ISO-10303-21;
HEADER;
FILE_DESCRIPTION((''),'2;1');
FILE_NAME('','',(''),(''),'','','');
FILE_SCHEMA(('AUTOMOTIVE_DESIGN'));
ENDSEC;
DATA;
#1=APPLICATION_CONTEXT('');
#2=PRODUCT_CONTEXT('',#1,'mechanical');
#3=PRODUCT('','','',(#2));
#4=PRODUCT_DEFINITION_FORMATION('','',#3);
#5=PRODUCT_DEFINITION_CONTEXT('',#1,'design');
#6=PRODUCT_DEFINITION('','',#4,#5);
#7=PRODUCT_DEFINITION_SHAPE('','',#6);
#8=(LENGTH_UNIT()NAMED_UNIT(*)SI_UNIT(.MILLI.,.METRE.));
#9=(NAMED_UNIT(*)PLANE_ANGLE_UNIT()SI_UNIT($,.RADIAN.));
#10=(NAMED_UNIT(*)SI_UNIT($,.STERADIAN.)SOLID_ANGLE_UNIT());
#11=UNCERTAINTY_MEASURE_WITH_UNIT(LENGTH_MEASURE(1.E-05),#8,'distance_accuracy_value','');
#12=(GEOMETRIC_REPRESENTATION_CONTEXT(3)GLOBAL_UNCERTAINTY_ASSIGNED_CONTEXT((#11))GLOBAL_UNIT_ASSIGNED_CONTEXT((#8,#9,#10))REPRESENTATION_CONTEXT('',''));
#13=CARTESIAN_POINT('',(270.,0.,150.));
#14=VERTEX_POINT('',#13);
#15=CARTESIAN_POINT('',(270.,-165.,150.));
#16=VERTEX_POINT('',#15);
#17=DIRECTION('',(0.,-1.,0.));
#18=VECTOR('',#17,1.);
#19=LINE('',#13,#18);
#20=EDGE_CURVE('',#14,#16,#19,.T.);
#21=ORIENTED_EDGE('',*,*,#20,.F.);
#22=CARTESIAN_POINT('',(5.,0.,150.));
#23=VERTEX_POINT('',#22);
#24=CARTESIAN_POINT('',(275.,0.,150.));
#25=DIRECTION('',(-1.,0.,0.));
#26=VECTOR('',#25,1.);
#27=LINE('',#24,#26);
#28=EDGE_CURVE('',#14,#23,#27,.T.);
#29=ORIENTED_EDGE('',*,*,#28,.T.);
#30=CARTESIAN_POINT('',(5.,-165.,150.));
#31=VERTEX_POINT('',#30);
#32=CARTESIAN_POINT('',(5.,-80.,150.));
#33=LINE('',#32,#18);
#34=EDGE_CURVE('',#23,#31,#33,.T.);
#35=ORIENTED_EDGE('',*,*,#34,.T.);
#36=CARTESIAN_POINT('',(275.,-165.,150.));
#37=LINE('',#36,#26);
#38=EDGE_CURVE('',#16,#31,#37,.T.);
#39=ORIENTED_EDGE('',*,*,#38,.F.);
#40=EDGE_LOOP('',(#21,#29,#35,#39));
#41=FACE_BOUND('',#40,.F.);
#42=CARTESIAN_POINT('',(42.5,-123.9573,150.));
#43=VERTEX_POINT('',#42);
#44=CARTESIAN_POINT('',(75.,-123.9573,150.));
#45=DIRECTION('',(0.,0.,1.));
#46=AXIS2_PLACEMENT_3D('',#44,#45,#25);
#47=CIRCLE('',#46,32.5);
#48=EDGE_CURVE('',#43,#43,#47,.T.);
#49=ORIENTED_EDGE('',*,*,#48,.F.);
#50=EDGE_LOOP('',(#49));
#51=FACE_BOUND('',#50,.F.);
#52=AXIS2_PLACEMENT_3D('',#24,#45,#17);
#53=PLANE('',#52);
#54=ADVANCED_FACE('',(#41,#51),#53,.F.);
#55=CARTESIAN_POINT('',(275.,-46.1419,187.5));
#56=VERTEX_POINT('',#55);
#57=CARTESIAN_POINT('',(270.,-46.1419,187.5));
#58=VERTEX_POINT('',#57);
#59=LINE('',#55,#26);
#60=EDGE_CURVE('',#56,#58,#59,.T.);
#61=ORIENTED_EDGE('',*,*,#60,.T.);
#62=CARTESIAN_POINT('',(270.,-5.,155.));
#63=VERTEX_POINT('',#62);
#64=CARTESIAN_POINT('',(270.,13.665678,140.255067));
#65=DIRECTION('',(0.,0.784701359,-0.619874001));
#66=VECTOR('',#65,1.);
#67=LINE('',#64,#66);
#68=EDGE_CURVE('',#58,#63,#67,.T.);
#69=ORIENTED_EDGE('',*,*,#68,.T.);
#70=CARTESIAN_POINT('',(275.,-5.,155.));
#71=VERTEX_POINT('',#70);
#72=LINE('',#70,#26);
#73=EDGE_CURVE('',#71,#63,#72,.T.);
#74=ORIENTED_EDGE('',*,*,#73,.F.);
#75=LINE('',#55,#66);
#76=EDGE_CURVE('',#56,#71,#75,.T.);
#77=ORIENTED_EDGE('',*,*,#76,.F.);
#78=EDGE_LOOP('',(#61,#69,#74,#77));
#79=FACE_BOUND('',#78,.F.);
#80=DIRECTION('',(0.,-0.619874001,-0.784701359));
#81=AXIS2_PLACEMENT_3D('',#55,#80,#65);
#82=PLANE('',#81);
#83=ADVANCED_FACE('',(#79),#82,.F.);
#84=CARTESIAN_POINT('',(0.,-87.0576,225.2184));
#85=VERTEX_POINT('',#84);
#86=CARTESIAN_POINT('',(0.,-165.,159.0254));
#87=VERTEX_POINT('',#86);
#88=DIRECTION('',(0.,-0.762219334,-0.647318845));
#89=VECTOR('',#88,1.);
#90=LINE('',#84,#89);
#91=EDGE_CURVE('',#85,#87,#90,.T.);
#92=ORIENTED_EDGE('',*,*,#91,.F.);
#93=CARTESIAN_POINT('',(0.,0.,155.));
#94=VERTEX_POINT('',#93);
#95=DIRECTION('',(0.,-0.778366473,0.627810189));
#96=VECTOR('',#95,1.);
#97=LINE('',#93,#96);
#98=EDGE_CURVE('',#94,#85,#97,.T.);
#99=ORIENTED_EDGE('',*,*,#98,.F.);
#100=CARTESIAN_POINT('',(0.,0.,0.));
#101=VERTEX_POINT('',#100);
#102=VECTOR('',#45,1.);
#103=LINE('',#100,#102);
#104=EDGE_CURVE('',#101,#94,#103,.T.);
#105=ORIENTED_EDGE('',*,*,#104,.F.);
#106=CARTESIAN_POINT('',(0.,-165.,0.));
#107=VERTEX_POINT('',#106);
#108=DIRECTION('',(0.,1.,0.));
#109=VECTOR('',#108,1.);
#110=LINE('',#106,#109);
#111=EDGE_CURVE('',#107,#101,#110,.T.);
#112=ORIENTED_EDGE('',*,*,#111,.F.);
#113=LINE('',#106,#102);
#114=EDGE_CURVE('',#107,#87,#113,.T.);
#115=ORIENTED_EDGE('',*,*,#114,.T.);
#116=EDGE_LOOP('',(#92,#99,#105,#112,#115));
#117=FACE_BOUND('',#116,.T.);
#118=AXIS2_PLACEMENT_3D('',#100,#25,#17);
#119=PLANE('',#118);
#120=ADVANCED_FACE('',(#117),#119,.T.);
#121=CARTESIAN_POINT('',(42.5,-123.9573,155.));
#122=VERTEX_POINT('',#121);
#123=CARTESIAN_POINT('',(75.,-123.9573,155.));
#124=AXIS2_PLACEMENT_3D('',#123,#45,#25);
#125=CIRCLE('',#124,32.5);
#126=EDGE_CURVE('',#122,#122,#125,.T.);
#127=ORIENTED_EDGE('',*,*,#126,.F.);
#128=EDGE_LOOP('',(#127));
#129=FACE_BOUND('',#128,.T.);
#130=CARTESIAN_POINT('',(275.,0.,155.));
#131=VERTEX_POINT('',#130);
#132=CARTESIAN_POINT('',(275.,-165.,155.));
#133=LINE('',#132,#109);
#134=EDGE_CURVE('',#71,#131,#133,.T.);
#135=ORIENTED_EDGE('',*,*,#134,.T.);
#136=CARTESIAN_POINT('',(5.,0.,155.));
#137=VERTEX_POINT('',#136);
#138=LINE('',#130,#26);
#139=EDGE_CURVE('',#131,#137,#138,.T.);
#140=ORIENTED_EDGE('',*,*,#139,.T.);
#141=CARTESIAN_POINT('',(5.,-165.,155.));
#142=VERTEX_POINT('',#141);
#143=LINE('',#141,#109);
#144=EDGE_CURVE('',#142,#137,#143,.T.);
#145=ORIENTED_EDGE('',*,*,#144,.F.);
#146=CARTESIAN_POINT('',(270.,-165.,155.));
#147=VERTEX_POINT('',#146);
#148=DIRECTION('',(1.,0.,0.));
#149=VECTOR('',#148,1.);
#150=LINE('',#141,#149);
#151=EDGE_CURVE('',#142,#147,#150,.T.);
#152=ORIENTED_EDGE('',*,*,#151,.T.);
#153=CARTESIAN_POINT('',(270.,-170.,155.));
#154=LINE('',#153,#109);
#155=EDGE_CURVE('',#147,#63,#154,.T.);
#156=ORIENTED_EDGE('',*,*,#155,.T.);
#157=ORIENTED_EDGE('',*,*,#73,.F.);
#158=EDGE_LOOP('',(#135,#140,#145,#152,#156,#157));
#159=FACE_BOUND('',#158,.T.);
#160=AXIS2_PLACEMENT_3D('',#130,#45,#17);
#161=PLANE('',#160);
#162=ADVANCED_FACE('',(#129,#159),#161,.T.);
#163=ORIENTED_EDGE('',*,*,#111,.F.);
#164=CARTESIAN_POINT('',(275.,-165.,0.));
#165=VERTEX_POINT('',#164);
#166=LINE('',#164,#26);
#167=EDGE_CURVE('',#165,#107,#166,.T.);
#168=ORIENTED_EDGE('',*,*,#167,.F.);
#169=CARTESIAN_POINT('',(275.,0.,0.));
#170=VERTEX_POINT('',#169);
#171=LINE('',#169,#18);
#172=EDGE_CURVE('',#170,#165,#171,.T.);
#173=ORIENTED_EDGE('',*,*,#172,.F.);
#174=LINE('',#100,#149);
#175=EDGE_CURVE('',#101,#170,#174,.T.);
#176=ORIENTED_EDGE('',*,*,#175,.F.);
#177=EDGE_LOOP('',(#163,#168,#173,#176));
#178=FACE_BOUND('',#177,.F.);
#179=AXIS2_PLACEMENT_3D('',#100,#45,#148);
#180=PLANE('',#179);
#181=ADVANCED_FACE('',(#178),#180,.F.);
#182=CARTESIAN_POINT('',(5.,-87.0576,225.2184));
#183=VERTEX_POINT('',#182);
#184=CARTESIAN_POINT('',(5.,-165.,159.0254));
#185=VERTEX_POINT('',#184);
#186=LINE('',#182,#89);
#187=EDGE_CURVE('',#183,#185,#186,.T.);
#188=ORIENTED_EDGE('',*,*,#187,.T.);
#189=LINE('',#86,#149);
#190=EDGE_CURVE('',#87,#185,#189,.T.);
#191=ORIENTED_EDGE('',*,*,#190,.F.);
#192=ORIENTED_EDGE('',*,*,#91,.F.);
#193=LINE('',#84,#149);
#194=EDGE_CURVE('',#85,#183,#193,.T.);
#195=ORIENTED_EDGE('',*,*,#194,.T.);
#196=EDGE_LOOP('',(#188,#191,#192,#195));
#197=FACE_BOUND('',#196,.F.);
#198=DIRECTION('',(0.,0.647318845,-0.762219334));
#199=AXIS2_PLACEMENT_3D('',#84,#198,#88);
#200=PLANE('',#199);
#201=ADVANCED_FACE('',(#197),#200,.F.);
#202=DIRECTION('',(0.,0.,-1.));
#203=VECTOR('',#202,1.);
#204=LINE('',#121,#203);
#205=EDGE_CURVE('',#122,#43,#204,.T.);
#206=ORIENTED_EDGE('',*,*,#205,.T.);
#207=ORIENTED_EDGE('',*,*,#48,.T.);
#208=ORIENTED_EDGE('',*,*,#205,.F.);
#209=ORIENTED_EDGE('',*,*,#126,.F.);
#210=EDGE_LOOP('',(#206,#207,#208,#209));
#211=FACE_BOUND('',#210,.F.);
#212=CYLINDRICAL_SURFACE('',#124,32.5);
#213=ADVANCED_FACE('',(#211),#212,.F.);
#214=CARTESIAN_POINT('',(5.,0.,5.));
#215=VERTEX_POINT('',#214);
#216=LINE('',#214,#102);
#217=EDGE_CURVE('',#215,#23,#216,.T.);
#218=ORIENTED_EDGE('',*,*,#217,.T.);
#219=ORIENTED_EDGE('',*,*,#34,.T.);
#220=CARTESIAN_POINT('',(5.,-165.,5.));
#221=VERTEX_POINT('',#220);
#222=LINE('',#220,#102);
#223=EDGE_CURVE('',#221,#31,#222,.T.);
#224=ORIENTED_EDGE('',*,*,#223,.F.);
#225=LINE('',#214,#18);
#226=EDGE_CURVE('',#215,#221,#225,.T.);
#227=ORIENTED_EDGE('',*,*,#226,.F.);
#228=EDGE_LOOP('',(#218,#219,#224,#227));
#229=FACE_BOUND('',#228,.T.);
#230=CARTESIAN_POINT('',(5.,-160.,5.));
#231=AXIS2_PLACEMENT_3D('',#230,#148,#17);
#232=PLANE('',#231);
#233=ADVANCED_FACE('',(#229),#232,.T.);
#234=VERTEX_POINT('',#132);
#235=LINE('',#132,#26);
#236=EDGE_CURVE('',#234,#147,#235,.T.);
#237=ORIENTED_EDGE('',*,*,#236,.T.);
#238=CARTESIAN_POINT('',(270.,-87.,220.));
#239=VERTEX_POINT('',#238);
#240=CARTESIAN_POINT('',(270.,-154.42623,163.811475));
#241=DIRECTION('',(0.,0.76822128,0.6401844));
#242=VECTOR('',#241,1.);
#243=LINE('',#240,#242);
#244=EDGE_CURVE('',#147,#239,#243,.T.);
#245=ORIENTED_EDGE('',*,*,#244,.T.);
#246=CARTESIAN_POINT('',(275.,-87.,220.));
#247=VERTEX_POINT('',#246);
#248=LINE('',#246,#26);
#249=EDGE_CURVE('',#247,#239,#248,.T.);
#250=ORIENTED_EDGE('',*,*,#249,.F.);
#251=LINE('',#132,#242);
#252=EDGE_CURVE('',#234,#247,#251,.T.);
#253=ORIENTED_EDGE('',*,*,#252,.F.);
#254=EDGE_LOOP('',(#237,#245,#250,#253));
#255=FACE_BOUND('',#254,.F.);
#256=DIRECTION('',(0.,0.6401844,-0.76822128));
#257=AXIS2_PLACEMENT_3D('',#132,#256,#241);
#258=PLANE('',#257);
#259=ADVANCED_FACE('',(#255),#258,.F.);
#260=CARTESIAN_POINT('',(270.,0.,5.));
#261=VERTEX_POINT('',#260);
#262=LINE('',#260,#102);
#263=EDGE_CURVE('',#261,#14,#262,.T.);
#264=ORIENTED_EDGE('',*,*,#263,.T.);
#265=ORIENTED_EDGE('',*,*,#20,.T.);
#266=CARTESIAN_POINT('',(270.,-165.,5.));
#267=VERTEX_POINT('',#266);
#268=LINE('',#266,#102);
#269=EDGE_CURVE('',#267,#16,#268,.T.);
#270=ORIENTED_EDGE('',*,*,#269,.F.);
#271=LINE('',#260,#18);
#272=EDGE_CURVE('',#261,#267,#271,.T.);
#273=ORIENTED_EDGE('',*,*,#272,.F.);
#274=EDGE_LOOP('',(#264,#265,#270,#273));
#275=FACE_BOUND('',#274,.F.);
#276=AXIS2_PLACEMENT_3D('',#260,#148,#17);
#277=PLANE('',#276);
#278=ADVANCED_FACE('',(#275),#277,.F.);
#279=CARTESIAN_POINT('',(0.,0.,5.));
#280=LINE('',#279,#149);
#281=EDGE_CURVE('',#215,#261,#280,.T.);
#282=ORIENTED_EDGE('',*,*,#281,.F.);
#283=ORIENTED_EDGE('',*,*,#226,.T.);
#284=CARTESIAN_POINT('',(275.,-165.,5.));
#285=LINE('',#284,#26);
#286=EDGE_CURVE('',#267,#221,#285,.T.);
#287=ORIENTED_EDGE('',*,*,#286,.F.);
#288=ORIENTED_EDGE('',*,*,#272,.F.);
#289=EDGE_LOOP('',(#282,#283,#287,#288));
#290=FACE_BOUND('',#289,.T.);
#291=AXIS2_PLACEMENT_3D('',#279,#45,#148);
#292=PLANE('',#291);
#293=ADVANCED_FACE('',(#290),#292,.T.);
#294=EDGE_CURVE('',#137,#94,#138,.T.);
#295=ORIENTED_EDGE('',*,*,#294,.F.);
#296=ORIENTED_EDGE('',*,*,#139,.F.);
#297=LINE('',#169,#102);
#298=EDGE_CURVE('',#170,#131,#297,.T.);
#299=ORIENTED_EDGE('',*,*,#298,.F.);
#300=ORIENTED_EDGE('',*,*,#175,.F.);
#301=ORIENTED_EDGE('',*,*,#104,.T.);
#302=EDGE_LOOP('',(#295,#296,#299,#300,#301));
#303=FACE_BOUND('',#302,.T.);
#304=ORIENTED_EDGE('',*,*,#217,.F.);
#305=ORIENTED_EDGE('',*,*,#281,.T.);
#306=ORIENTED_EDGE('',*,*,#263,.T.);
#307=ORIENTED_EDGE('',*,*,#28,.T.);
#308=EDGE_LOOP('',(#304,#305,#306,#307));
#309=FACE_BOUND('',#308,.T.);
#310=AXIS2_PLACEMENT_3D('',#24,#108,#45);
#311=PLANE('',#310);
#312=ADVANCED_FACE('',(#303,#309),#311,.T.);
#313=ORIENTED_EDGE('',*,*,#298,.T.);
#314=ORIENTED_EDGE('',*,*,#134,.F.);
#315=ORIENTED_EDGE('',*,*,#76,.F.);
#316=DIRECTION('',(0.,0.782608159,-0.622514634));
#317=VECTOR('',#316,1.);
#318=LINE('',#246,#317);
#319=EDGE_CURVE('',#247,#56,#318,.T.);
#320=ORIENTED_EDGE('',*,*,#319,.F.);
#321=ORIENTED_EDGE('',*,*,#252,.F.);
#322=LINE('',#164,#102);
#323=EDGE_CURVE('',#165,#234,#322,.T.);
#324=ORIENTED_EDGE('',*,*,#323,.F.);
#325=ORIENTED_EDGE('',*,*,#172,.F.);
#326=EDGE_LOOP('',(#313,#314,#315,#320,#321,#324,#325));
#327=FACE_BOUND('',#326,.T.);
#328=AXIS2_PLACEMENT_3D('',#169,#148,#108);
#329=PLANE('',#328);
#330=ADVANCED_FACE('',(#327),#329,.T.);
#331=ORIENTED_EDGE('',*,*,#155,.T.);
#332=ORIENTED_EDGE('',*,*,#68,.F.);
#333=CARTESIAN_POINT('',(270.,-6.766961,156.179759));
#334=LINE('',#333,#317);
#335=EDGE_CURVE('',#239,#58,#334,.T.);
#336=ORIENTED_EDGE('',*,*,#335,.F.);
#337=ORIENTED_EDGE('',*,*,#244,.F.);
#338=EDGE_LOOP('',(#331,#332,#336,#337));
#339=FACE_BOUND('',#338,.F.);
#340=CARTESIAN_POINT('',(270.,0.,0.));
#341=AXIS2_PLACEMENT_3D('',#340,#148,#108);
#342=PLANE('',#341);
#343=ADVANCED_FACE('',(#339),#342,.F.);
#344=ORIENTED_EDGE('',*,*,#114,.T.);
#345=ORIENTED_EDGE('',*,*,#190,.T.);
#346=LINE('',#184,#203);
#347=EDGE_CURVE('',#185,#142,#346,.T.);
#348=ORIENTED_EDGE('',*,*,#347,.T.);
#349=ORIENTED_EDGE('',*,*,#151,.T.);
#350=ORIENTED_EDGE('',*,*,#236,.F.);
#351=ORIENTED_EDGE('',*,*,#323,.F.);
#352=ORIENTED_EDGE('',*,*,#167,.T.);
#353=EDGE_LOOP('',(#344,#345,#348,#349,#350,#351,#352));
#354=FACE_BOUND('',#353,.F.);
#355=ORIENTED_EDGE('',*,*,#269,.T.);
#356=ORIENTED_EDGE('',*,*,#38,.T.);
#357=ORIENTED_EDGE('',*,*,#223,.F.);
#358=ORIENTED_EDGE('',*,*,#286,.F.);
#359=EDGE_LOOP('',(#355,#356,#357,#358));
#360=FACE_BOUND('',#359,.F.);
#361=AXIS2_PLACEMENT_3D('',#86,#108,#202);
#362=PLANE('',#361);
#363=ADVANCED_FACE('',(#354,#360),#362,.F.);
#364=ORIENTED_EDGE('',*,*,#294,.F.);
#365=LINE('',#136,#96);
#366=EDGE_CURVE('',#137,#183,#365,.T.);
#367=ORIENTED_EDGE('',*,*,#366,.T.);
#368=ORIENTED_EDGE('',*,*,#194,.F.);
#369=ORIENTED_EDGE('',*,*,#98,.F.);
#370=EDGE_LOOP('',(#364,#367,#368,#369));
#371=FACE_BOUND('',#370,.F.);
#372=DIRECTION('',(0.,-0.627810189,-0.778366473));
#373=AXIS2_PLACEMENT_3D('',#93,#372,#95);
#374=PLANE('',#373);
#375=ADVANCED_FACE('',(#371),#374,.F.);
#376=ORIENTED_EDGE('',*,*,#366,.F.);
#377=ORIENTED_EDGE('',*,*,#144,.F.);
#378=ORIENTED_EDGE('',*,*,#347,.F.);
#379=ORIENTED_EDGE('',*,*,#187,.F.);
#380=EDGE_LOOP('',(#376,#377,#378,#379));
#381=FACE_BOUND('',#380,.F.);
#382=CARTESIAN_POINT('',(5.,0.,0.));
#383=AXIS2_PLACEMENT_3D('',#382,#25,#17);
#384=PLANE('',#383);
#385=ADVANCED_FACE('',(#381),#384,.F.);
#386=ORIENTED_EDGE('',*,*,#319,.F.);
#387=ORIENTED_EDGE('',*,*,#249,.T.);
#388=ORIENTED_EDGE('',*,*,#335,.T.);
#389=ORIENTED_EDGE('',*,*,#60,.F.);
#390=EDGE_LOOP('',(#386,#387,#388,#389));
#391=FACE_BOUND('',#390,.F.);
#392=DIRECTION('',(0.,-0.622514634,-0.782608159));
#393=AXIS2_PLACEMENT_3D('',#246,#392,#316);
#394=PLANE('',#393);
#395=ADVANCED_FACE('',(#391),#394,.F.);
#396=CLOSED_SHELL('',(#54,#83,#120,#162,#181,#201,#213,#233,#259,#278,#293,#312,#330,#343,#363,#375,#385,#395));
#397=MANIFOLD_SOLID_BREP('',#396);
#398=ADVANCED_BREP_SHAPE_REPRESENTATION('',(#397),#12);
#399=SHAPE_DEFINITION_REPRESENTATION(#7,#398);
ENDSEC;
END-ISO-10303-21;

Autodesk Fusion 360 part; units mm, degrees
sketch "Sketch1" plane through (0, 0, 0) normal (0, 0, 1) x (1, 0, 0)
  line L0 (0, 0) -> (275, 0)
  line L1 (275, 0) -> (275, -165)
  line L2 (275, -165) -> (0, -165)
  line L3 (0, -165) -> (0, 0)
  dimension "d1" = 275
  dimension "d2" = 165
extrude "Extrude1" add sketch "Sketch1" along normal blind 5
sketch "Sketch2" plane through (0, 0, 5) normal (0, 0, 1) x (-1, 0, 0)
  line L0 (0, 165) -> (-275, 165)
  line L1 (-275, 165) -> (-275, 0)
  line L2 (-275, 0) -> (0, 0)
  line L3 (0, 0) -> (0, 165)
  line L4 (0, 0) -> (-275, 0)
  line L5 (-275, 0) -> (-275, 5)
  line L6 (-275, 5) -> (0, 5)
  line L7 (0, 5) -> (0, 0)
  line L8 (-275, 0) -> (-270, 0)
  line L9 (-270, 0) -> (-270, 165)
  line L10 (-270, 165) -> (-275, 165)
  line L11 (-275, 165) -> (-275, 0)
  line L12 (-275, 165) -> (0, 165)
  line L13 (0, 165) -> (0, 160)
  line L14 (0, 160) -> (-275, 160)
  line L15 (-275, 160) -> (-275, 165)
  line L16 (0, 0) -> (-5, 0)
  line L17 (-5, 0) -> (-5, 165)
  line L18 (-5, 165) -> (0, 165)
  line L19 (0, 165) -> (0, 0)
  dimension "d5" = 5
  dimension "d6" = 5
  dimension "d7" = 165
  dimension "d8" = 275
  dimension "d9" = 5
  dimension "d10" = 165
sketch "Sketch3" plane through (0, 0, 5) normal (0, 0, 1) x (-1, 0, 0)
extrude "Extrude2" add sketch "Sketch2" along normal blind 150 contours L0 L3 L12 L13 L14 L17 L18 L19 | L3 L6 L14 L17 L19 | L2 L3 L4 L6 L7 L16 L17 L19
sketch "Sketch4" plane through (0, 0, 5) normal (0, 0, 1) x (-1, 0, 0)
  line L0 (-5, 0) -> (-5, 165)
  line L1 (-5, 165) -> (-275, 165)
  line L2 (-275, 165) -> (-275, 0)
  line L3 (-275, 0) -> (-5, 0)
sketch "Sketch5" plane through (0, 0, 5) normal (0, 0, 1) x (-1, 0, 0)
  line L0 (-275, 0) -> (-270, 0)
  line L1 (-270, 0) -> (-270, 165)
  line L2 (-270, 165) -> (-275, 165)
  line L3 (-275, 165) -> (-275, 0)
  line L4 (-5, 0) -> (-5, 165)
  dimension "d13" = 5
  dimension "d14" = 165
  dimension "d15" = 270
extrude "Extrude3" add sketch "Sketch5" along normal blind 150
sketch "Sketch6" plane through (0, 0, 0) normal (0, 1, 0) x (1, 0, 0)
  line L0 (269.7146, -155) -> (269.7146, -150)
  line L1 (4.7146, -150) -> (4.7146, -155)
  line L2 (5, -5) -> (275, -5)
  dimension "d19" = 5
sketch "Sketch7" plane through (0, 0, 5) normal (0, 0, 1) x (-1, 0, 0)
  curve L0
  curve L1
  curve L2
  curve L3
  line L4 (-275, 165) -> (-275, 160)
  line L5 (-275, 165) -> (-275, 160)
  line L6 (-5, 160) -> (-5, 165)
  line L7 (-5, 0) -> (-275, 0)
  dimension "d21" = 265
  dimension "d22" = 5
  dimension "d25" = 270
  dimension "d26" = 145
  dimension "d27" = 265
sketch "Sketch8" plane through (0, 0, 0) normal (0, 1, 0) x (1, 0, 0)
  line L0 (5.2103, -149.946) -> (270.2103, -149.946)
  line L1 (5, -5) -> (275, -5)
sketch "Sketch9" plane through (0, 0, 5) normal (0, 0, 1) x (1, 0, 0)
sketch "Sketch10" plane through (275, 0, 0) normal (1, 0, 0) x (0, 1, 0)
  line L0 (-165, 0) -> (0, 0)
  line L1 (0, 0) -> (0, 155)
  line L2 (0, 155) -> (-165, 155)
  line L3 (-165, 155) -> (-165, 0)
  line L4 (-165, 155) -> (0, 155)
  line L5 (0, 155) -> (0, 150)
  line L6 (0, 150) -> (-165, 150)
  line L7 (-165, 150) -> (-165, 155)
  dimension "d29" = 165
  dimension "d30" = 5
extrude "Extrude4" add sketch "Sketch10" against normal blind 275 contours L1 L2 L3 L4 L5 L6 L7
sketch "Sketch11" plane through (0, 0, 0) normal (0, 1, 0) x (1, 0, 0)
sketch "Sketch12" plane through (0, 0, 0) normal (0, 1, 0) x (1, 0, 0)
sketch "Sketch13" plane through (275, 0, 0) normal (1, 0, 0) x (0, 1, 0)
  line L0 (-165, 155) -> (-165, 0)
  line L1 (-165, 0) -> (0, 0)
  line L2 (0, 0) -> (0, 155)
  line L3 (0, 155) -> (-165, 155)
  line L4 (-165, 155) -> (-135, 155) construction
sketch "Sketch14" plane through (275, 0, 0) normal (1, 0, 0) x (0, 1, 0)
  line L0 (-170, 155) -> (-5, 155)
  line L1 (-5, 155) -> (-5, 225)
  line L2 (-5, 225) -> (-170, 225)
  line L3 (-170, 225) -> (-170, 155)
  line L4 (-165, 5) -> (0, 5)
  line L5 (-170, 155) -> (-87.1175, 224.5467)
  line L6 (-170, 155) -> (-61.8046, 155) construction
  line L7 (-87.1175, 224.5467) -> (13.9338, 144.1668)
  line L8 (-87.1175, 224.5467) -> (42.0037, 224.5467) construction
  dimension "d35" = 165
  dimension "d36" = 70
  dimension "d37" = 150
  dimension "d38" = 40
  dimension "d39" = 38.5
extrude "Extrude5" add sketch "Sketch14" against normal blind 5 contours L0 L1 L5 L7
sketch "Sketch15" plane through (0, 0, 155) normal (0, 0, 1) x (-1, 0, 0)
  line L0 (-270, 5) -> (-275, 5)
  line L1 (-275, 5) -> (-275, 0)
  line L2 (-275, 0) -> (0, 0)
  line L3 (0, 0) -> (0, 165)
  line L4 (0, 165) -> (-270, 165)
  line L5 (-270, 165) -> (-270, 5)
sketch "Sketch16" plane through (0, 0, 0) normal (-1, 0, 0) x (0, -1, 0)
  line L0 (0, 155) -> (0, 0)
  line L1 (0, 0) -> (165, 0)
  line L2 (165, 0) -> (165, 155)
  line L3 (165, 155) -> (0, 155)
  line L4 (0, 155) -> (87.0576, 225.2184)
  line L5 (87.0576, 225.2184) -> (165, 159.0254)
  line L6 (165, 159.0254) -> (165, 155)
extrude "Extrude6" add sketch "Sketch16" against normal blind 5 contours L3 L4 L5 L6
sketch "Sketch17" plane through (5, 0, 0) normal (1, 0, 0) x (0, 1, 0)
  line L0 (-87.0576, 225.2184) -> (-165, 159.0254)
  line L1 (-165, 159.0254) -> (-165, 155)
  line L2 (-165, 155) -> (0, 155)
  line L3 (0, 155) -> (-87.0576, 225.2184)
sketch "Sketch18" plane through (0, 0, 0) normal (0, 1, 0) x (1, 0, 0)
  curve L0
  curve L1
  curve L2
  curve L3
  dimension "d44" = 265
  dimension "d45" = 5
sketch "Sketch19" plane through (275, 0, 0) normal (1, 0, 0) x (0, 1, 0)
  line L0 (-165, 155) -> (-165, 0)
  line L1 (-165, 0) -> (0, 0)
  line L2 (0, 0) -> (0, 155)
  line L3 (0, 155) -> (-5, 155)
  line L4 (-5, 155) -> (-5, 159.2275)
  line L5 (-5, 159.2275) -> (-87.1175, 224.5467)
  line L6 (-87.1175, 224.5467) -> (-170, 155)
  line L7 (-170, 155) -> (-165, 155)
  line L8 (-165, 155) -> (-87, 220)
  line L9 (-87, 220) -> (-46.1419, 187.5)
  line L10 (-46.1419, 187.5) -> (-5, 155)
sketch "Sketch20" plane through (0, 0, 155) normal (0, 0, 1) x (-1, 0, 0)
  circle A0 centre (-75, 123.9573) radius 32.5
  line L0 (-270, 165) -> (-270, 5)
  line L1 (-270.2103, 3.9573) -> (-5.2104, 3.9572)
  dimension "d46" = 65
  dimension "d47" = 195
  dimension "d48" = 120
extrude "Extrude7" cut sketch "Sketch20" against normal blind 5
sketch "Sketch21" plane through (275, 0, 0) normal (1, 0, 0) x (0, 1, 0)
sketch "Sketch22" plane through (5, 0, 0) normal (1, 0, 0) x (0, 1, 0)
extrude "Extrude8" cut sketch "Sketch19" against normal blind 150 contours L4 L5 L6 L7 L8 L9 L10
sketch "Sketch23" plane through (0, 0, 0) normal (0, 1, 0) x (1, 0, 0)
equation "d1 = 165 mm + 65 mm + 35 mm + 10 mm"
equation "d2 = 55 mm + 48 mm + 10 mm + 52 mm"
